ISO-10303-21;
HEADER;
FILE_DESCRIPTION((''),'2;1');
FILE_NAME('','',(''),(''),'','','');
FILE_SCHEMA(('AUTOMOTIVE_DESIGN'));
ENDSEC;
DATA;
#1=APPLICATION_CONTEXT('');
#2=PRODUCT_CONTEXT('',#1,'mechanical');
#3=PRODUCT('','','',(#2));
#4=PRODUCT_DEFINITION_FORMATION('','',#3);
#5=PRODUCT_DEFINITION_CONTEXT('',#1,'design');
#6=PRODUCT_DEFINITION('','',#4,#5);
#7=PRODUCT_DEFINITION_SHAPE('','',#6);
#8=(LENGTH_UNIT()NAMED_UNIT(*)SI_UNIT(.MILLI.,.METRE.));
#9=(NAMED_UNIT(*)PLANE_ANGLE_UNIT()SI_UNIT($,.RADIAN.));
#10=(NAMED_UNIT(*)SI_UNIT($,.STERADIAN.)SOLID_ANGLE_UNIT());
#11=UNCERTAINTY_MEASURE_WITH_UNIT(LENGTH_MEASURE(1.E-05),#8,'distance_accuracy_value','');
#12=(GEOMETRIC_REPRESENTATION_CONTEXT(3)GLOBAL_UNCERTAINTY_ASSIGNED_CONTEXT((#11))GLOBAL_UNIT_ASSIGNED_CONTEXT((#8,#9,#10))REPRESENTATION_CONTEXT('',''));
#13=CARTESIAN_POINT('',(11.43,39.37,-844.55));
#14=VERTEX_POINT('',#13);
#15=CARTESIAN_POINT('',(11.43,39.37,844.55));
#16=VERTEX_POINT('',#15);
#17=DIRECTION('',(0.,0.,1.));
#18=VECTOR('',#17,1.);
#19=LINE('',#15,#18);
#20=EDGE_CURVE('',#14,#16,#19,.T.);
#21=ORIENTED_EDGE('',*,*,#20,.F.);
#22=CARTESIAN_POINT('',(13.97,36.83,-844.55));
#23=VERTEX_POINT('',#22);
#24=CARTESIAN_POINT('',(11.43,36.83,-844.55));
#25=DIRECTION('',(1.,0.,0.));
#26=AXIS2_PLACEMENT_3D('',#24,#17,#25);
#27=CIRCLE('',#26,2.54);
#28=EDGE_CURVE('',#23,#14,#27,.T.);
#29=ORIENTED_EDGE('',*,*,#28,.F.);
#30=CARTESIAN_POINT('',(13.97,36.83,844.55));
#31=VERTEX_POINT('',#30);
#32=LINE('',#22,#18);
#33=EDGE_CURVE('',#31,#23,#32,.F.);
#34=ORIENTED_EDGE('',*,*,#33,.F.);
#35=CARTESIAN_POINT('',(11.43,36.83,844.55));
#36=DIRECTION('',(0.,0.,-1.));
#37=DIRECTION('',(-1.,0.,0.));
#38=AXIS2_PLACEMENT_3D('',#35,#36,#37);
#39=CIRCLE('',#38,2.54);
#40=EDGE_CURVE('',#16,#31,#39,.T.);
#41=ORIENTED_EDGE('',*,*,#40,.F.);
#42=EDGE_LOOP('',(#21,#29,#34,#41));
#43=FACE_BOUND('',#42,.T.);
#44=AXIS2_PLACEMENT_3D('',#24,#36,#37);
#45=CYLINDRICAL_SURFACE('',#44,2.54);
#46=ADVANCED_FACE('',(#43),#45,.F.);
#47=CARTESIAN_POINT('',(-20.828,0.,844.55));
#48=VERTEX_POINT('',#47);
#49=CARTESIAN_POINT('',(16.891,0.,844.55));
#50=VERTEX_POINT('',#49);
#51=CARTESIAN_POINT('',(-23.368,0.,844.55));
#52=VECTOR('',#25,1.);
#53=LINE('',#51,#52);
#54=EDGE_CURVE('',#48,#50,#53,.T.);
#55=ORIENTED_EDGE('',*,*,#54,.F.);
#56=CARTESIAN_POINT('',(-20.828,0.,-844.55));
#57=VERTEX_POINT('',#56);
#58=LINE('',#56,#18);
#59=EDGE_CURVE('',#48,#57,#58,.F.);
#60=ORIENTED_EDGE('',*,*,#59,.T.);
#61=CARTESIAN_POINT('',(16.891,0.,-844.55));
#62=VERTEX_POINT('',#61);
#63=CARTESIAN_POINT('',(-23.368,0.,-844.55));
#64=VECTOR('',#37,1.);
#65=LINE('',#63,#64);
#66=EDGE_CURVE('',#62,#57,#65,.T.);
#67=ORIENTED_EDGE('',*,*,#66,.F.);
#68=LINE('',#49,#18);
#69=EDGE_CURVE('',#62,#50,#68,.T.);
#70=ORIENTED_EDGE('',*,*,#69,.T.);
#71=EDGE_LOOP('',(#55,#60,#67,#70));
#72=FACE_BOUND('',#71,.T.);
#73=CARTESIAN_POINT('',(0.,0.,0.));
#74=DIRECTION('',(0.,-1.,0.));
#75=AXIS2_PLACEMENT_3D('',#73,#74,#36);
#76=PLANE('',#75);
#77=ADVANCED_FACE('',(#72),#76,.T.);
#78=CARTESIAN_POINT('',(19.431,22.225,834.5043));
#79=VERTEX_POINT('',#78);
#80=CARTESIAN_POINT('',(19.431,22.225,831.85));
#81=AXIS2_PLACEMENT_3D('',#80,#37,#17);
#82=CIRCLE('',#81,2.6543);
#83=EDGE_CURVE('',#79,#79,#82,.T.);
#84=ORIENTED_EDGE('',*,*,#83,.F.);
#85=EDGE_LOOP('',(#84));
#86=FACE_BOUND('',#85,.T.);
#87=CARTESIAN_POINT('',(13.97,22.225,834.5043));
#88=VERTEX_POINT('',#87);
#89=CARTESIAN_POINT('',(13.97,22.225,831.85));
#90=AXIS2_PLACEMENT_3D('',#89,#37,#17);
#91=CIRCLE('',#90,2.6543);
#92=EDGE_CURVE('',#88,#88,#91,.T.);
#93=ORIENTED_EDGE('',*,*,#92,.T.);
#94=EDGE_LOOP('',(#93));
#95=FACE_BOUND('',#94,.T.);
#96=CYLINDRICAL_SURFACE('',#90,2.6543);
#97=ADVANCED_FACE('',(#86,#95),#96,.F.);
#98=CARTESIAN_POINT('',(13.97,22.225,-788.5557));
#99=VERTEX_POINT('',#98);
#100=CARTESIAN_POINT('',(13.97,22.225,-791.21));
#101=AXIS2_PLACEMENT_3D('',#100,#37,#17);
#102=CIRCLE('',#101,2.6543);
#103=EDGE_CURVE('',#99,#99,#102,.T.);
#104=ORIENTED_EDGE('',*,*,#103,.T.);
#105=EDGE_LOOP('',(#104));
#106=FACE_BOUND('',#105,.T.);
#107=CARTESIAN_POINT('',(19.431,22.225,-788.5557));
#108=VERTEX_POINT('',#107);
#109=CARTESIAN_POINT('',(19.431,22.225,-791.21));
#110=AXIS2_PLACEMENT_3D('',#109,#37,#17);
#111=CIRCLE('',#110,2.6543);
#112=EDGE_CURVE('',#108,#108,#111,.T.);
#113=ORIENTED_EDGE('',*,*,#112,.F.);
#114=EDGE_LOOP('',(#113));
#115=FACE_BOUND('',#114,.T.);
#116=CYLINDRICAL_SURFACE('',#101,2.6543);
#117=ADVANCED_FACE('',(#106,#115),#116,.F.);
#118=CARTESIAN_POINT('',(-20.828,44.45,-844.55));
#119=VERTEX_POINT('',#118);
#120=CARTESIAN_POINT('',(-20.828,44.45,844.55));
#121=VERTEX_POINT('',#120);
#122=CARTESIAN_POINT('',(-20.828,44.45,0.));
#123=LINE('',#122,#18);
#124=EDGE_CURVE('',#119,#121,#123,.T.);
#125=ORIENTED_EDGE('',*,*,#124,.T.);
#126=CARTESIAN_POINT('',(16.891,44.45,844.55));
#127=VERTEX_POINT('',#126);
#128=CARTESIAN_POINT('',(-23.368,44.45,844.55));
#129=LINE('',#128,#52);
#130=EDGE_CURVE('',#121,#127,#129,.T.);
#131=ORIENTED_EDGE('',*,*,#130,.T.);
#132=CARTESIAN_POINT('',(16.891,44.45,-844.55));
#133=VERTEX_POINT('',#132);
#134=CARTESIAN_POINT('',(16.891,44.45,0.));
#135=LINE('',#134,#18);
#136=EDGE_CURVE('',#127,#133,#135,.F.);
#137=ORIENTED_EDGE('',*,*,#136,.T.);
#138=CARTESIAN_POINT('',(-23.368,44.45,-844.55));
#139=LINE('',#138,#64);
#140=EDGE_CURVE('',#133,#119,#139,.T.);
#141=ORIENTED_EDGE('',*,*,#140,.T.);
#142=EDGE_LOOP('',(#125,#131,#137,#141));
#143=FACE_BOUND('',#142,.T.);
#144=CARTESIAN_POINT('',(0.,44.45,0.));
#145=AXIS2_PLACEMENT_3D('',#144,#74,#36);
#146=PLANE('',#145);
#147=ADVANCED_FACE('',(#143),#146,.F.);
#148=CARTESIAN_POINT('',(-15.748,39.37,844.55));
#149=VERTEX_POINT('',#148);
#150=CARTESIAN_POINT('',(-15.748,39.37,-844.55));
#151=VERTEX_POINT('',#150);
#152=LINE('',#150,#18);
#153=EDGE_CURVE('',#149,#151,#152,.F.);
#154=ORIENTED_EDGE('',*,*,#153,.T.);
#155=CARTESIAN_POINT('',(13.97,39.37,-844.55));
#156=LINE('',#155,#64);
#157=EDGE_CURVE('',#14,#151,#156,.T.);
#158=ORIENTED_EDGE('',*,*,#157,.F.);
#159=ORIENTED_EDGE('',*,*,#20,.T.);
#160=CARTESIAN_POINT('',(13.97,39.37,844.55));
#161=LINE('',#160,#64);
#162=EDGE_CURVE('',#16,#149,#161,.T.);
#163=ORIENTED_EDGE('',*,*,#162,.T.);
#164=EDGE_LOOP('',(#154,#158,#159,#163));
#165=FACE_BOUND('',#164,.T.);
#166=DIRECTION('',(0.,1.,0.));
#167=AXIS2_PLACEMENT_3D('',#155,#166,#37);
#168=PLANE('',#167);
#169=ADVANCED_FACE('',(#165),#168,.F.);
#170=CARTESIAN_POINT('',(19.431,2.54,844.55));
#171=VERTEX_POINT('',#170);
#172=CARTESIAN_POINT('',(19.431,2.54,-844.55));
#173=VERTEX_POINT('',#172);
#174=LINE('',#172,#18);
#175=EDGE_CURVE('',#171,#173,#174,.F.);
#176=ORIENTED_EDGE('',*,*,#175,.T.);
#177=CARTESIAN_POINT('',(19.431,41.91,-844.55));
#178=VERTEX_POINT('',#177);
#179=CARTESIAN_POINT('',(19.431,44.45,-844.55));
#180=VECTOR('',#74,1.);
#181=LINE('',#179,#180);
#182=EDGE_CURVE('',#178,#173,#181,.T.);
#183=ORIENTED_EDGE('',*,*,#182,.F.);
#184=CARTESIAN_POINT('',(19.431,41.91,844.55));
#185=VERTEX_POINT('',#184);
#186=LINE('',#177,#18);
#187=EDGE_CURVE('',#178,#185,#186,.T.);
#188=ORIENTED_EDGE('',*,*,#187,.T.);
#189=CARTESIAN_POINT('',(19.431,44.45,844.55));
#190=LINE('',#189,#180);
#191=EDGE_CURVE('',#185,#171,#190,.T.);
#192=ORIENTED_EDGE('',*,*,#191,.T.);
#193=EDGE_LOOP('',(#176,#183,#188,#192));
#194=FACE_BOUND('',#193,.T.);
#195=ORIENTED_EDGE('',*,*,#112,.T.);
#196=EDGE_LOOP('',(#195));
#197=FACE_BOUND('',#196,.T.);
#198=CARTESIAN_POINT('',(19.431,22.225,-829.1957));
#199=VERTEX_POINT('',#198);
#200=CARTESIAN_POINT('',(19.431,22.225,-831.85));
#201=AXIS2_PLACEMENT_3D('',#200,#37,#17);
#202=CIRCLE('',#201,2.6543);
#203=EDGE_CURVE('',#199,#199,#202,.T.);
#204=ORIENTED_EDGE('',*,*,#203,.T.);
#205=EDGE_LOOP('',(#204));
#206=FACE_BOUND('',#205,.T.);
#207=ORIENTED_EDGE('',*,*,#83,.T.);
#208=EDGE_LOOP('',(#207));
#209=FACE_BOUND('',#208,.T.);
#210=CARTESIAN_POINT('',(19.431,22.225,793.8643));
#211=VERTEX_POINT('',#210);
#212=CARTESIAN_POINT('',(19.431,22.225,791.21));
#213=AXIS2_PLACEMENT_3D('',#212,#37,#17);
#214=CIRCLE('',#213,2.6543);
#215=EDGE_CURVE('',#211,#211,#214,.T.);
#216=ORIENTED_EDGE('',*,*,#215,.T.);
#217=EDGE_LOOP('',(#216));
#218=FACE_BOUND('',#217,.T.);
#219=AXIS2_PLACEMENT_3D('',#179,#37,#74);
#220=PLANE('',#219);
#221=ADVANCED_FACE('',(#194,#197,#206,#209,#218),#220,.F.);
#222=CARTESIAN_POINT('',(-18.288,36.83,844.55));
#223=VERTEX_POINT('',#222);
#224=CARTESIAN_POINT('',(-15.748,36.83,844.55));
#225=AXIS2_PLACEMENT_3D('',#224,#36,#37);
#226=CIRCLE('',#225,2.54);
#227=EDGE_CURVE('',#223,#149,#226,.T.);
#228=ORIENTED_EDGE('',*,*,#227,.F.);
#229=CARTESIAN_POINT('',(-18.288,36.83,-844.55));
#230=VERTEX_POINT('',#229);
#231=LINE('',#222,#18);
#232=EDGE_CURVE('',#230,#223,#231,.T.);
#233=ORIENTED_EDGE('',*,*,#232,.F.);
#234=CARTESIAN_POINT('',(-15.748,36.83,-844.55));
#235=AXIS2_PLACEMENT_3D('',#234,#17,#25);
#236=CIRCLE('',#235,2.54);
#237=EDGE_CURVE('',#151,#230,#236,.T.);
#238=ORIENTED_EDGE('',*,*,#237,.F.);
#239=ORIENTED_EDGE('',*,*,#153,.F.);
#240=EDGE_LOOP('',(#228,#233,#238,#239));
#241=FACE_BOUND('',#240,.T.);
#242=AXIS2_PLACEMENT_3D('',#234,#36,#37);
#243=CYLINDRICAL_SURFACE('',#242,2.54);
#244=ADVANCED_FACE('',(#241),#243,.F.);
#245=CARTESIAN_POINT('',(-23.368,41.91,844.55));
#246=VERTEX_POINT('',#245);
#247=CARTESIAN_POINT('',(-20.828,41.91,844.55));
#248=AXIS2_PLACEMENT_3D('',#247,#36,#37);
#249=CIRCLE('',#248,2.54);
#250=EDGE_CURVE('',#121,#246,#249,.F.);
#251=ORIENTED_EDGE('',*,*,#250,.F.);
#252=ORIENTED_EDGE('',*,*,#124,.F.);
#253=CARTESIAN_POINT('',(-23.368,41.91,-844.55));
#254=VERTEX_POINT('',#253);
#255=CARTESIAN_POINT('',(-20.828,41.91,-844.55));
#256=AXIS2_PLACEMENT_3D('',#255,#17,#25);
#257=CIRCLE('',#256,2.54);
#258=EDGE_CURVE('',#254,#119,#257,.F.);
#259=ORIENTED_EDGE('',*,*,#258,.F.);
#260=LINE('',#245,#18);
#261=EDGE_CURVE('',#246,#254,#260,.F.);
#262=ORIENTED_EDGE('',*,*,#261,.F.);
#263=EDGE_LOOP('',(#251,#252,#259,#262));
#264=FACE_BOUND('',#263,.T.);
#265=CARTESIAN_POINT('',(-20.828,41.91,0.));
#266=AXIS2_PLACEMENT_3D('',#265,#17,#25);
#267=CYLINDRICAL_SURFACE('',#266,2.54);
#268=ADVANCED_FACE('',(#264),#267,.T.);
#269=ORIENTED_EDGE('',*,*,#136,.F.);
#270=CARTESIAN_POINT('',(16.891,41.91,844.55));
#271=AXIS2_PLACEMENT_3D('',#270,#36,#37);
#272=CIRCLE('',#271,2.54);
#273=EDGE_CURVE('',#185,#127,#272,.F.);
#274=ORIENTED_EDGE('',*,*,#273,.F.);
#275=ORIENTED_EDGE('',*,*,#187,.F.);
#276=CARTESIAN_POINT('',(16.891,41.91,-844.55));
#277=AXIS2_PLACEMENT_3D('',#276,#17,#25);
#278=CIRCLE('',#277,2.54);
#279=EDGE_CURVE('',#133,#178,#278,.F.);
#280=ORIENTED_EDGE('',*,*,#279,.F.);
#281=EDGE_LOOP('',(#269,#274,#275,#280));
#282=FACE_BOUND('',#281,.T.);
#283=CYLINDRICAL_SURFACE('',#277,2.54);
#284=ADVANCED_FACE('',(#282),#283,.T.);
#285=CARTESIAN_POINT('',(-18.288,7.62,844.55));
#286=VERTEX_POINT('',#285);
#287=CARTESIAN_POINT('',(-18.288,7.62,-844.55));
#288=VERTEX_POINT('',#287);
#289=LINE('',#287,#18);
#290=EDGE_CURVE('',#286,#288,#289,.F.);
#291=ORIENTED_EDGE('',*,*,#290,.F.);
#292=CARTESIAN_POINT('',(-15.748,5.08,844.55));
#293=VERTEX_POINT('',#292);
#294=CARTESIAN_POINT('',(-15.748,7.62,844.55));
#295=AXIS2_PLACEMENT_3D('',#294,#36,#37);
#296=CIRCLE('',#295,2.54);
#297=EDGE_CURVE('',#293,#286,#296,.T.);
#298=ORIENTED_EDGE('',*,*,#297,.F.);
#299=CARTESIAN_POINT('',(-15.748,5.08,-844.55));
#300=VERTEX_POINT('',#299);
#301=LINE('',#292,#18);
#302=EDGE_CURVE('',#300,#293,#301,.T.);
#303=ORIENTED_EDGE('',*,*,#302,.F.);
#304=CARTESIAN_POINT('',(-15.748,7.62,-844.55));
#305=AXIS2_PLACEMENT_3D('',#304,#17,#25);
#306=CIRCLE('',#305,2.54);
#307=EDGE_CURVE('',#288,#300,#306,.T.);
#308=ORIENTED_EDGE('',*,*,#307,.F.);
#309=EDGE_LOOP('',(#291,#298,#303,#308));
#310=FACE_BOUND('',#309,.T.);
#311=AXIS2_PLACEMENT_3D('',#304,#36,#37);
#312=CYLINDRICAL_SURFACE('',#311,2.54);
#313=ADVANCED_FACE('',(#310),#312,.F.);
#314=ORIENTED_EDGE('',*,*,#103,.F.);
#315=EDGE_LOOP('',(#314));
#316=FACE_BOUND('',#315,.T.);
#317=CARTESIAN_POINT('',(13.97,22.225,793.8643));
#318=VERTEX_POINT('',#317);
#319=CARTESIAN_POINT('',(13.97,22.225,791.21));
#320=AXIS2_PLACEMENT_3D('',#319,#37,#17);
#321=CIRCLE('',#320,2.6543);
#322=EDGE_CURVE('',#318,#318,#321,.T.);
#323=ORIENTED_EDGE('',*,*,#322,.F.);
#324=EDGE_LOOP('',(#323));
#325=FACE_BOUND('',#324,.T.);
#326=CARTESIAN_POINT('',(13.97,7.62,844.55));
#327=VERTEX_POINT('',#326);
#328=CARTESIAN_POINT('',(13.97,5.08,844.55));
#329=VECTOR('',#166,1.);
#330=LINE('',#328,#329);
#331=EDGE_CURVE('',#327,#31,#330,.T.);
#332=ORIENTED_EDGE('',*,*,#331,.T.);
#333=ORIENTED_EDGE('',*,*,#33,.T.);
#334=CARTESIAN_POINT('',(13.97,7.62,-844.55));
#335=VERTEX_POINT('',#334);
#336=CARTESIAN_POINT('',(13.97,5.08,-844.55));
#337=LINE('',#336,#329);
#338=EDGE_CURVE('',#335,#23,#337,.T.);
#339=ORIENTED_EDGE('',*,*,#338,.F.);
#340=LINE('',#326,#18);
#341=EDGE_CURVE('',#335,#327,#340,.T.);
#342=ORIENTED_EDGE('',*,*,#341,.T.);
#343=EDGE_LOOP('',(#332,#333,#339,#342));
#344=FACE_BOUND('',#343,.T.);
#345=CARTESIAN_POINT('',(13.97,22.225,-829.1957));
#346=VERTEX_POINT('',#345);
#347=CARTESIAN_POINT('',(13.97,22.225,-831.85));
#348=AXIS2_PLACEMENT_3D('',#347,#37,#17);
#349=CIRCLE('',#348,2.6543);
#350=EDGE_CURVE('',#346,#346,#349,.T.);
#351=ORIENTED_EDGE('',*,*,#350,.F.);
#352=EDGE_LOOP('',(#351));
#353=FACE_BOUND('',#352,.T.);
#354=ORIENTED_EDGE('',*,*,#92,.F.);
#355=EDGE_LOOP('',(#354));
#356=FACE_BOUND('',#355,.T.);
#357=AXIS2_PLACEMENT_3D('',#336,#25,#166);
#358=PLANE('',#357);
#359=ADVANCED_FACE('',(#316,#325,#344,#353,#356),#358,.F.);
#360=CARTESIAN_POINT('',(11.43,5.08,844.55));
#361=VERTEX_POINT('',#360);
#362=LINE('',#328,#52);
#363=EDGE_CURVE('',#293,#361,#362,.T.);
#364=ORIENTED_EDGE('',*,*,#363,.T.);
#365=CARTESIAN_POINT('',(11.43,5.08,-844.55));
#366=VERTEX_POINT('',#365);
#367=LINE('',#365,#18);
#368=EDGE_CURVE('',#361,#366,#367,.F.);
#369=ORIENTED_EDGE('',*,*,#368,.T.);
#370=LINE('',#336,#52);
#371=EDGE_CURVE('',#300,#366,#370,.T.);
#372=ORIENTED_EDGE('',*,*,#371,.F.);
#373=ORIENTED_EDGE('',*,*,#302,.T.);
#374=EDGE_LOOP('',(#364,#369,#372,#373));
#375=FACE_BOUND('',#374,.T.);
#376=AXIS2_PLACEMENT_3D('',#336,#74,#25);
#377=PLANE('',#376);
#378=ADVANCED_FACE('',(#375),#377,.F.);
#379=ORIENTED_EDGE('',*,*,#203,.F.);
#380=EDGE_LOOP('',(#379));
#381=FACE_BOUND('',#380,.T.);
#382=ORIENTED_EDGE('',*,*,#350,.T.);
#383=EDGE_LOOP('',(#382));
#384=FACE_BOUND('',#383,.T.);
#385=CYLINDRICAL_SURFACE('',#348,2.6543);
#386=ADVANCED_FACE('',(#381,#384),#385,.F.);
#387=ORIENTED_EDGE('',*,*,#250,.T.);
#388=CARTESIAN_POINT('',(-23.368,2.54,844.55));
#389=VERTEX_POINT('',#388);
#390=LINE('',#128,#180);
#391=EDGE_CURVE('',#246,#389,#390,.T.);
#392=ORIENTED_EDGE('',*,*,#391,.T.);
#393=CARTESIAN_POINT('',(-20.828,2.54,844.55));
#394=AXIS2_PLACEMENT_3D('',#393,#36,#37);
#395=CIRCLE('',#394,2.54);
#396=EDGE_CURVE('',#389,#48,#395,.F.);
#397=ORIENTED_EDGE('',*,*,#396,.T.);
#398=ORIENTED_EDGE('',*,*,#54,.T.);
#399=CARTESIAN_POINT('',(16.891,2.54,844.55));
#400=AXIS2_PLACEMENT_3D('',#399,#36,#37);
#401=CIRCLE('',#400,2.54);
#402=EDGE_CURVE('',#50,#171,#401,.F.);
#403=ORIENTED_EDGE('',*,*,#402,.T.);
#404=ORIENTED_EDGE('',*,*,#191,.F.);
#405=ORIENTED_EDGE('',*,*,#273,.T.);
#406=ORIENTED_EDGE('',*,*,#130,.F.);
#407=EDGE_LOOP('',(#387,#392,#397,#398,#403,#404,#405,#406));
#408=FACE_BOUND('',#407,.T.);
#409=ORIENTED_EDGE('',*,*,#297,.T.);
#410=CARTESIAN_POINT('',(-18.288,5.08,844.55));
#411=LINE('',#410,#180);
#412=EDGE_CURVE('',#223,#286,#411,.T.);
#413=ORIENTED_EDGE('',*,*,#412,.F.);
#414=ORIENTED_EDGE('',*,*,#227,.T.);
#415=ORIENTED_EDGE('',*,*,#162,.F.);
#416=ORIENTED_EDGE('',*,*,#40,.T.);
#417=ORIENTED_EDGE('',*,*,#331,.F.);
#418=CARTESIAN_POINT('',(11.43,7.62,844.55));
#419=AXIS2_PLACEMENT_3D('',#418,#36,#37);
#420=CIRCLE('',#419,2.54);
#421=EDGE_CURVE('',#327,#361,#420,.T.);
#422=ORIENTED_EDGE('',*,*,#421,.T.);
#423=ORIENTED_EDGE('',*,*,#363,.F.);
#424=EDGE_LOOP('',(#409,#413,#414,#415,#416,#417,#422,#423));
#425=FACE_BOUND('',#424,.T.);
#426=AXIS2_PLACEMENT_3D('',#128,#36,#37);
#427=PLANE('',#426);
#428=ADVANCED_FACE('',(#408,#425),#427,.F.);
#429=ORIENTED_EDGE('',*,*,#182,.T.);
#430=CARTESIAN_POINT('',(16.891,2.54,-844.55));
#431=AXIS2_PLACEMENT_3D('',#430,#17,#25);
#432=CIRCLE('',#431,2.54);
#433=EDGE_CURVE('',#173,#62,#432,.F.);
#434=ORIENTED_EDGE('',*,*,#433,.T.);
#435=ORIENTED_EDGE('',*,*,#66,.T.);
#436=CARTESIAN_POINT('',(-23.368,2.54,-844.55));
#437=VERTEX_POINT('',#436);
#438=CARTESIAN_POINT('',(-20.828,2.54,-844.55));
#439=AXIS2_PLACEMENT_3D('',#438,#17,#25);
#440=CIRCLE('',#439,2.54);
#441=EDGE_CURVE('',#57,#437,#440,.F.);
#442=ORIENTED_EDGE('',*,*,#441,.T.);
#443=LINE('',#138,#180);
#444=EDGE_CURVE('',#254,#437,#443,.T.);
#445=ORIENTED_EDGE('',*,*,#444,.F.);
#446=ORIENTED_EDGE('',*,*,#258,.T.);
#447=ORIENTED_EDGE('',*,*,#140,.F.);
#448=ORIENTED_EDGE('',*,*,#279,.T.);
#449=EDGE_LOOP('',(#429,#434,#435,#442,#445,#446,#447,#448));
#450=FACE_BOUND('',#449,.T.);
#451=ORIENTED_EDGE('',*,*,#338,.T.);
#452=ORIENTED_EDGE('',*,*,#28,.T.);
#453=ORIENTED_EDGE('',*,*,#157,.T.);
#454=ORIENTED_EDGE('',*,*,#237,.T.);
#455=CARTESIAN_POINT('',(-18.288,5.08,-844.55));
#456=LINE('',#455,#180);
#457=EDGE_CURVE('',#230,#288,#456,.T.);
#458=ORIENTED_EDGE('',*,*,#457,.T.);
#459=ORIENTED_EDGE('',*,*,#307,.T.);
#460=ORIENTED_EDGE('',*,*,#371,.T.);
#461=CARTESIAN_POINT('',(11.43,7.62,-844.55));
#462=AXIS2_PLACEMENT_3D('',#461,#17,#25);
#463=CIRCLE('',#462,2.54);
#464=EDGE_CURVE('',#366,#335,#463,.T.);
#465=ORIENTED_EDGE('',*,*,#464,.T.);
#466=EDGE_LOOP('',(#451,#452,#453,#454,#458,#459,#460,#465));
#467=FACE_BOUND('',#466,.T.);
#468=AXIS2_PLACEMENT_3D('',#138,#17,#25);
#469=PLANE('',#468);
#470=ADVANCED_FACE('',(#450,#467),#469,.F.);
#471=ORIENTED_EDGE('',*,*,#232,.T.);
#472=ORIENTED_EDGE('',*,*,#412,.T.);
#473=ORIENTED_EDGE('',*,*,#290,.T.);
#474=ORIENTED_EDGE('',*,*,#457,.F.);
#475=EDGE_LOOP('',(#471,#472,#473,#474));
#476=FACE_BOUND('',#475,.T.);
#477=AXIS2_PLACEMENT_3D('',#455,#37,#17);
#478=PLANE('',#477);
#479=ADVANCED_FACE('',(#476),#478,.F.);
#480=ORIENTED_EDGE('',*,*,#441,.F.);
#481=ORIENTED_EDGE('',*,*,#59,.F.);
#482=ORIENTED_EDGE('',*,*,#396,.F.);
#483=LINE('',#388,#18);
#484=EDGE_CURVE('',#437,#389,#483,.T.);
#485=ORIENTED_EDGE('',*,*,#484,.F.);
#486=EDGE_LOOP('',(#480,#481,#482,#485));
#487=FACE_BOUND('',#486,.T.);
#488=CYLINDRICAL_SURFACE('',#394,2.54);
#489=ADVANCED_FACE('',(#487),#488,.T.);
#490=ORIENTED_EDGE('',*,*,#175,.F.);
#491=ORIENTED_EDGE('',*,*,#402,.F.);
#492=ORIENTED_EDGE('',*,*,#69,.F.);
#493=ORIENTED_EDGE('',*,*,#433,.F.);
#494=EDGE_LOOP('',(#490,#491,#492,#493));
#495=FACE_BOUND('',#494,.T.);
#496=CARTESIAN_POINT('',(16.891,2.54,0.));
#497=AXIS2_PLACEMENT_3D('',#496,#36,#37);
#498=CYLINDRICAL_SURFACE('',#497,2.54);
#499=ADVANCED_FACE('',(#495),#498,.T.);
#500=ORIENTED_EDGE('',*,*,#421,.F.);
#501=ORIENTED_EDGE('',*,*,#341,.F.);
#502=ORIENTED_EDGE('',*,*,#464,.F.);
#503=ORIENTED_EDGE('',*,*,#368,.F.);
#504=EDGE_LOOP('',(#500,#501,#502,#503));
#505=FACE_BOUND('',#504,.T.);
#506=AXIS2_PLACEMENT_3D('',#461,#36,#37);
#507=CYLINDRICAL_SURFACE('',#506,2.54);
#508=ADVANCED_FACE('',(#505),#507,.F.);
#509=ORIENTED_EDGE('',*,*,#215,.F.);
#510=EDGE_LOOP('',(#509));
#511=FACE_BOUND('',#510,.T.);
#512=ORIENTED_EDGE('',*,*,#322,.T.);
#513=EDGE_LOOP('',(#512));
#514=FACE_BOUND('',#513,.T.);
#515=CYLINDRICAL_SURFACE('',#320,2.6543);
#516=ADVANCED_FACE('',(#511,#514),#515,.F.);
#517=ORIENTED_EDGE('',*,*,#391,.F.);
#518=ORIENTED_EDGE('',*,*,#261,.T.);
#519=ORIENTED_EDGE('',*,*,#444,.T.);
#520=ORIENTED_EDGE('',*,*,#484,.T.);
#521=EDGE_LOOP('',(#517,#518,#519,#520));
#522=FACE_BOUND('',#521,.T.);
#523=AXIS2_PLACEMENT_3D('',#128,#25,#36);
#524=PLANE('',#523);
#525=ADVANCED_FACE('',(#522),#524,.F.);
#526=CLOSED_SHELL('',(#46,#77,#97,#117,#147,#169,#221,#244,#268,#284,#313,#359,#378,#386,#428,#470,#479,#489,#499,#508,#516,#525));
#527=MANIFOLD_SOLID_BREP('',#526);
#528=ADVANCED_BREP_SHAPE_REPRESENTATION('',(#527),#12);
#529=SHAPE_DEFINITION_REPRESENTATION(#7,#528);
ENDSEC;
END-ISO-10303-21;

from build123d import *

# Parameters (mm, degrees)
MAIN_W                         = 46.736
MAIN_H                         = 1689.1
EXTRUDE_MAIN_DEPTH             = 44.45
MAIN_CUT_W                     = 32.258
MAIN_CUT_H                     = 34.29
CUT_MAIN_DEPTH                 = 1690.846346839
SKETCH1_W                      = 3.937
SKETCH1_H                      = 44.45
CUT_EXTRUDE1_DEPTH             = 1690.846346839
F_4_0_209_DIAMETER_HOLE2_D     = 5.3086
F_4_0_209_DIAMETER_HOLE2_DEPTH = 5.461
FILLET1_R                      = 2.54


with BuildPart() as part:
    # Main → Extrude-Main (new body)
    with BuildSketch(Plane(origin=(0, 0, 0), x_dir=(1, 0, 0), z_dir=(0, 1, 0))):
        Rectangle(MAIN_W, MAIN_H)
    extrude(amount=EXTRUDE_MAIN_DEPTH)

    # Main Cut → Cut-Main (cut, through all)
    with BuildSketch(Plane.XY.offset(844.55)):
        with Locations((-2.159, 22.225)):
            Rectangle(MAIN_CUT_W, MAIN_CUT_H)
    extrude(amount=-CUT_MAIN_DEPTH, mode=Mode.SUBTRACT)

    # Sketch1 → Cut-Extrude1 (cut, through all)
    with BuildSketch(Plane.XY.offset(844.55)):
        with Locations((21.3995, 22.225)):
            Rectangle(SKETCH1_W, SKETCH1_H)
    extrude(amount=-CUT_EXTRUDE1_DEPTH, mode=Mode.SUBTRACT)

    # #4 (0.209) Diameter Hole2
    with Locations(Plane.ZY.offset(-13.97)):
        with Locations((831.85, 22.225), (-831.85, 22.225), (-791.21, 22.225), (791.21, 22.225)):
            Hole(F_4_0_209_DIAMETER_HOLE2_D / 2, depth=F_4_0_209_DIAMETER_HOLE2_DEPTH)

    # Fillet1
    fillet1_edges = [part.edges().sort_by_distance(p)[0] for p in [
        (-23.368, 44.45, 0),
        (-18.288, 5.08, 0),
        (-18.288, 39.37, 0),
        (13.97, 39.37, 0),
        (13.97, 5.08, 0),
        (19.431, 0, 0),
        (19.431, 44.45, 0),
        (-23.368, 0, 0),
    ]]
    fillet(fillet1_edges, radius=FILLET1_R)


solid = part.part
